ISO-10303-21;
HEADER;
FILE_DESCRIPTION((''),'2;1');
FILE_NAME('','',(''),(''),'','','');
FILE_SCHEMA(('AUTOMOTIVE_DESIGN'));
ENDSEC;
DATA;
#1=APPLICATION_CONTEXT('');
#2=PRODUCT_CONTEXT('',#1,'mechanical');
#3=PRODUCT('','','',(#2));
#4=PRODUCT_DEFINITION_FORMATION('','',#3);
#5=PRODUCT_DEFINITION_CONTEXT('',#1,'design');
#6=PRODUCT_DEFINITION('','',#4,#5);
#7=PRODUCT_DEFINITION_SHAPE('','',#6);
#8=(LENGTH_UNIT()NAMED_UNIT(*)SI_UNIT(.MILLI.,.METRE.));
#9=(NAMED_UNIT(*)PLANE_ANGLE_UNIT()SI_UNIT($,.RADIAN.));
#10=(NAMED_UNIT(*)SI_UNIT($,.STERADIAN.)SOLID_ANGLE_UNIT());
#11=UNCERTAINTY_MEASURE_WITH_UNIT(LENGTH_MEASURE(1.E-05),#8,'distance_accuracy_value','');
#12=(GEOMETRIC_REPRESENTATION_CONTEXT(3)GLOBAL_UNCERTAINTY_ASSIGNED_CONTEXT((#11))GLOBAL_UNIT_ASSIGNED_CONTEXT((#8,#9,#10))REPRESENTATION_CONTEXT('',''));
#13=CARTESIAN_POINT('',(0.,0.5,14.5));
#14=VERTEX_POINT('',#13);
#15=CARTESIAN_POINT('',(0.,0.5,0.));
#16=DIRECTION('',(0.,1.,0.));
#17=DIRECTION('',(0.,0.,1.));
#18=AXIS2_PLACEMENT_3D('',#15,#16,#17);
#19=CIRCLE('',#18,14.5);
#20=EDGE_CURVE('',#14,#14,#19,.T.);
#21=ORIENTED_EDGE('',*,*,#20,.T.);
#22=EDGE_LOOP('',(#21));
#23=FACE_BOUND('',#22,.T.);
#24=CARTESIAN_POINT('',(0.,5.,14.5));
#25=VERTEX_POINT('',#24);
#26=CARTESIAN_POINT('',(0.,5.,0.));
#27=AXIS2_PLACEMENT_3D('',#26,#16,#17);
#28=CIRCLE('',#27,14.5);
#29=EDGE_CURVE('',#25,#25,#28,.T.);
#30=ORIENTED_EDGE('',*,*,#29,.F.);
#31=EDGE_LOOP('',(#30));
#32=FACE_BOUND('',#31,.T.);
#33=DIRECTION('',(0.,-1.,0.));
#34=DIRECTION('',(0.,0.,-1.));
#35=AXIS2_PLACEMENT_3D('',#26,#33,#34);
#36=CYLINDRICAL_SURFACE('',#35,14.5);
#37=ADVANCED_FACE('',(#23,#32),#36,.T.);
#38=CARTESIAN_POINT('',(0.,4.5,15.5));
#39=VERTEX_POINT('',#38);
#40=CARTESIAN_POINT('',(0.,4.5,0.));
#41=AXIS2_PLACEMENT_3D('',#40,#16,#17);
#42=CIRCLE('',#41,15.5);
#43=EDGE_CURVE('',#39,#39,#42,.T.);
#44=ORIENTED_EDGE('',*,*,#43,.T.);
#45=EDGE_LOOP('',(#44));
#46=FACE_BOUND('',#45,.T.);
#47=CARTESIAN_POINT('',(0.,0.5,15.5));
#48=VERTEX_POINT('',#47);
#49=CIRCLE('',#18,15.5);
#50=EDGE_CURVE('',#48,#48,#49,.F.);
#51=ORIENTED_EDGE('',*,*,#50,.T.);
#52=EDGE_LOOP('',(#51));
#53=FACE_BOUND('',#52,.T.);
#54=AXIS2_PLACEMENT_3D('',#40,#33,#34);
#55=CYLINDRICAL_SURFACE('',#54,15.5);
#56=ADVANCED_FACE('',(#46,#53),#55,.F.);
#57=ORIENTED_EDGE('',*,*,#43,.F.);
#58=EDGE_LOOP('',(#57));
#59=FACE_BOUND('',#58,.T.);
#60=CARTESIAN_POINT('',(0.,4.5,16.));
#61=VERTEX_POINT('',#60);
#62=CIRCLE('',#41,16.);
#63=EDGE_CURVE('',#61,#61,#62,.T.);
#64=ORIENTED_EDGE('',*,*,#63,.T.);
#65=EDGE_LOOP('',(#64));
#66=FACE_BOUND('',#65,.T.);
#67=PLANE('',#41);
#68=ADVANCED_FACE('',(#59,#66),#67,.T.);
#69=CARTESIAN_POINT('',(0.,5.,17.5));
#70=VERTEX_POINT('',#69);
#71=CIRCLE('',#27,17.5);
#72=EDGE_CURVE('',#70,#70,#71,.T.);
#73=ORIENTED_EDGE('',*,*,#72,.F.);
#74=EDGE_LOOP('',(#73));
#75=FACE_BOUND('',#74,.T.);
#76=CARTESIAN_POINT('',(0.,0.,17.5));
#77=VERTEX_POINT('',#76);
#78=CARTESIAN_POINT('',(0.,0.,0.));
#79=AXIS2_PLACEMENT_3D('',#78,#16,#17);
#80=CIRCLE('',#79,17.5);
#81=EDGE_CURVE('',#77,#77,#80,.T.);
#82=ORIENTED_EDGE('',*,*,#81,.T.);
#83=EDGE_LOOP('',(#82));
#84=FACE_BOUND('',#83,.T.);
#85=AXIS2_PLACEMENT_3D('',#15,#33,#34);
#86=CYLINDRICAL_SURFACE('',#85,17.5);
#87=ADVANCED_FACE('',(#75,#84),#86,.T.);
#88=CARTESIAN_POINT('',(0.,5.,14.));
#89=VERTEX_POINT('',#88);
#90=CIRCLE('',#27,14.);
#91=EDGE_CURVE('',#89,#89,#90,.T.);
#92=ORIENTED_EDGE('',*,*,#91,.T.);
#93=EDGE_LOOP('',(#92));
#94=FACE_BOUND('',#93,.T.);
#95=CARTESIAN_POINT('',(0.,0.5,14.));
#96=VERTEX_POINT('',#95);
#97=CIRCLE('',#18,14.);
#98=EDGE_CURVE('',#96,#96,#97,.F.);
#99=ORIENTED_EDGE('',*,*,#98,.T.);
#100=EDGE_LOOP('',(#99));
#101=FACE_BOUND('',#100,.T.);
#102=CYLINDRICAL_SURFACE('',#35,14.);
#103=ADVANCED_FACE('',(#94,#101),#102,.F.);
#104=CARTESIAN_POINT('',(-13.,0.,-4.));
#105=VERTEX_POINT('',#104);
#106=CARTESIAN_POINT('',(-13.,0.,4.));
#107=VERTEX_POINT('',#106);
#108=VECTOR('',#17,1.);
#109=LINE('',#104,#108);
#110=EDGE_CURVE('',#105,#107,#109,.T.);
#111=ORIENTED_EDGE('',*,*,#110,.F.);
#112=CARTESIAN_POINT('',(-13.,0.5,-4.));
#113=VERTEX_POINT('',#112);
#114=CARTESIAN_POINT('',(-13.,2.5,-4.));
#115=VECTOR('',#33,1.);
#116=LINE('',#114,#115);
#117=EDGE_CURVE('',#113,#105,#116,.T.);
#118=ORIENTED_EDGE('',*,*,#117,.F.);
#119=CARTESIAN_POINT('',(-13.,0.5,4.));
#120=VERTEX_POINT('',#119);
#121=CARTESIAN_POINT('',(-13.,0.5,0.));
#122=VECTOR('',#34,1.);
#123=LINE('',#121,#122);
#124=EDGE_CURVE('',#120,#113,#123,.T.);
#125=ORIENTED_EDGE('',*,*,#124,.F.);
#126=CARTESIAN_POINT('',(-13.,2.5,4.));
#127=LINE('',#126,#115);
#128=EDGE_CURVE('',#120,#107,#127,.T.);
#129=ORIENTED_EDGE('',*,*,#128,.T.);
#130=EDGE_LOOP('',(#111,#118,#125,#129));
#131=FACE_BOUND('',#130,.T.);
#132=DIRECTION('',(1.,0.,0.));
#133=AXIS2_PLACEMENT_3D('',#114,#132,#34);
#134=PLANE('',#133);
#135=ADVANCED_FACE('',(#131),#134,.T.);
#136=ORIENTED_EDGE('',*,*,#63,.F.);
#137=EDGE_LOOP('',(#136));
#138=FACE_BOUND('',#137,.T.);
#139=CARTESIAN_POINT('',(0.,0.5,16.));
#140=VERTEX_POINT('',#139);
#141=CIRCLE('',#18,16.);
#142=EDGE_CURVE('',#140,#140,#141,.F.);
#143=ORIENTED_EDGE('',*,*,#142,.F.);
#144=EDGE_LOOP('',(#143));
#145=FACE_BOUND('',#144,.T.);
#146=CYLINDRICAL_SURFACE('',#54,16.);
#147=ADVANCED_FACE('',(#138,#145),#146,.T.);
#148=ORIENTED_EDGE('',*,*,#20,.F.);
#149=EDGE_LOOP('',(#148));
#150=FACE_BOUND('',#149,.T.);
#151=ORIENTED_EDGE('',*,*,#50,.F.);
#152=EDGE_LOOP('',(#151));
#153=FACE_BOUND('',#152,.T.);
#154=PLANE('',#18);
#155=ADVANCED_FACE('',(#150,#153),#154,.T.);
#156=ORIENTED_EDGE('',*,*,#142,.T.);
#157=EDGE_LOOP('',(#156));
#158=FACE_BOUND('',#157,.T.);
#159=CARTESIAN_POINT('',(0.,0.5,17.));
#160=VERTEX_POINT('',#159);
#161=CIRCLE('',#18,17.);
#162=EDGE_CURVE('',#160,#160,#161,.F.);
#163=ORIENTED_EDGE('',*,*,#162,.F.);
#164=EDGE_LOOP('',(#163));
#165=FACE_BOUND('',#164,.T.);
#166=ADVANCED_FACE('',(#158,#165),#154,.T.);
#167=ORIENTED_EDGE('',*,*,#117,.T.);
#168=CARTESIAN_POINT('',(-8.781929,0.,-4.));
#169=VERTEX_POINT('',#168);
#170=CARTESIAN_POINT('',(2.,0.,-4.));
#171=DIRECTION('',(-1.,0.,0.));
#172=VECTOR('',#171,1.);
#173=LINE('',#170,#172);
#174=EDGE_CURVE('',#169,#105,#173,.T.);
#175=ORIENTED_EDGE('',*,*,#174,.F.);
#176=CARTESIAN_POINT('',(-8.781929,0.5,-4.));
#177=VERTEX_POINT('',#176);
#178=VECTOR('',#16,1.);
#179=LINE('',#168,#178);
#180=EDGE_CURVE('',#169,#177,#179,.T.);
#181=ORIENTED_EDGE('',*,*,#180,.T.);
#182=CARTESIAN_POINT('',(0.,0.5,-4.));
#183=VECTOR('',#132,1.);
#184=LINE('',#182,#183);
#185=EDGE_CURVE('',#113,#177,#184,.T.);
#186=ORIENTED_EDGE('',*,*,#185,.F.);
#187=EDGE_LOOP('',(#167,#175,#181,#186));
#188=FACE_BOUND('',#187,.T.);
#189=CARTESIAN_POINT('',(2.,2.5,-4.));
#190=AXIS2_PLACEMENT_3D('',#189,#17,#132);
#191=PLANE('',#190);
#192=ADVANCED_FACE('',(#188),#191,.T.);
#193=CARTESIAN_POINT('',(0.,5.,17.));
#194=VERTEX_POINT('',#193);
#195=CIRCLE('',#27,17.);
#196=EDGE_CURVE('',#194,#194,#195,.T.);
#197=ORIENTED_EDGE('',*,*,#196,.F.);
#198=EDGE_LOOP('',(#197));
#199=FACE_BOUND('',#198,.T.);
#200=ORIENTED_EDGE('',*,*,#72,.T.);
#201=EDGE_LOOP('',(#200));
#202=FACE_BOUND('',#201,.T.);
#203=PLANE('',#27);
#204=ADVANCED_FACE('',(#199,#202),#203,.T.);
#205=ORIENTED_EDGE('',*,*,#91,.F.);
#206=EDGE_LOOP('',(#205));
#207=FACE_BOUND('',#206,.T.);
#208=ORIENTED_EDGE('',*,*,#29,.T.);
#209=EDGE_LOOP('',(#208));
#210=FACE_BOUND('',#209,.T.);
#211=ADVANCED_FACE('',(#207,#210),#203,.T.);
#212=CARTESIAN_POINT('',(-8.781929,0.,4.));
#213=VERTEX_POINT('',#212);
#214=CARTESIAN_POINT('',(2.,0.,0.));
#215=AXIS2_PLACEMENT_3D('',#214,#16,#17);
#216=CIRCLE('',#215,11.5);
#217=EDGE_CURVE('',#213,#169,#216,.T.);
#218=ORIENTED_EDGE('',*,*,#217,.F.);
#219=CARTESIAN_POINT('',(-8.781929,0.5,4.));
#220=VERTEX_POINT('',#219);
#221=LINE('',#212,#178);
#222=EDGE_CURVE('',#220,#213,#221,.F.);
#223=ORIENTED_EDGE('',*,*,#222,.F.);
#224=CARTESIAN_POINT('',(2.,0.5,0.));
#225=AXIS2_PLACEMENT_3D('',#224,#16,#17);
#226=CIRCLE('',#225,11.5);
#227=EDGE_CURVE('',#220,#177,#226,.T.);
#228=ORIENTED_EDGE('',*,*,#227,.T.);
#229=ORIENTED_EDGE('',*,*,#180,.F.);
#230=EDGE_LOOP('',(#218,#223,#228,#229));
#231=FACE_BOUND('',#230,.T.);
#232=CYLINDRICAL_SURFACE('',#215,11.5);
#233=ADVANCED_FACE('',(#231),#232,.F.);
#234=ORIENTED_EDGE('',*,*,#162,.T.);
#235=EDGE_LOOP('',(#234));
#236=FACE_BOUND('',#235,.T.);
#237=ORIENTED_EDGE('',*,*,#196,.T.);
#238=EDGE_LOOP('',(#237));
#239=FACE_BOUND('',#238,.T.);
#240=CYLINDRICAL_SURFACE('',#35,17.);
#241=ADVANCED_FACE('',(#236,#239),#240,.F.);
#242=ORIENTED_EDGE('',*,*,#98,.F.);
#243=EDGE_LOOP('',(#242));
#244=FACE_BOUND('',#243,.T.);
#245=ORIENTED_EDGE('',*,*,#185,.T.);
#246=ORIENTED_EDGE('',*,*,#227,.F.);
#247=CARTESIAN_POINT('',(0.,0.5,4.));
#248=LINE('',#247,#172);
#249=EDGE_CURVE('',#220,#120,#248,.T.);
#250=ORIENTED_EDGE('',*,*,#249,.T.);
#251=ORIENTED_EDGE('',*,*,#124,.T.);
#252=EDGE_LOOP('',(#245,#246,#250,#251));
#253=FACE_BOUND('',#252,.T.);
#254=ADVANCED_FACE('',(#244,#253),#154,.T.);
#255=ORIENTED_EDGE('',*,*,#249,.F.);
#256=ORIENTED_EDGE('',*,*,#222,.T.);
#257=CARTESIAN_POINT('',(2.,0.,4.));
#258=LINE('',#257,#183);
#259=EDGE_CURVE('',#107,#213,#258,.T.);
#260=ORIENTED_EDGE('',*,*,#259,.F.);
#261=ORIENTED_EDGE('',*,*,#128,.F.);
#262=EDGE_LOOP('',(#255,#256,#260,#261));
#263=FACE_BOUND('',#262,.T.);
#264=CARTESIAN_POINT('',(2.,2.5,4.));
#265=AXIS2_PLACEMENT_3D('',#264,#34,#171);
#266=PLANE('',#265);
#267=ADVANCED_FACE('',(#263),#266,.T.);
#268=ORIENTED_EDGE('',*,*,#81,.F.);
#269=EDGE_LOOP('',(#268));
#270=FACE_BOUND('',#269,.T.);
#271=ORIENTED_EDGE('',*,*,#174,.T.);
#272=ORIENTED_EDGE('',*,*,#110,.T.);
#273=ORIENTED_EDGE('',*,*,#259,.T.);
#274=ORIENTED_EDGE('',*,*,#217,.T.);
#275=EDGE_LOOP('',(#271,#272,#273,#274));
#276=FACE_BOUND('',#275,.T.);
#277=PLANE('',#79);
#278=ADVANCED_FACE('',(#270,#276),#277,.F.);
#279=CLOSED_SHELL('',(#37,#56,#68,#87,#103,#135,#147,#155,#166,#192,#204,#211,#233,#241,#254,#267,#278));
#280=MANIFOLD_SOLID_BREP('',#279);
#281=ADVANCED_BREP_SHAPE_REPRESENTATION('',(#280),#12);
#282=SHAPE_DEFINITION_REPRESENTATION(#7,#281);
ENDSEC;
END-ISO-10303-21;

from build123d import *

# Parameters (mm, degrees)
SKETCH1_R           = 17.5
BOSS_EXTRUDE1_DEPTH = 0.5
SKETCH2_R           = 11.5
CUT_EXTRUDE1_DEPTH  = 0.5
SKETCH3_W           = 15
SKETCH3_H           = 8
CUT_EXTRUDE4_DEPTH  = 2.5
SKETCH4_R           = 16
SKETCH4_R_2         = 15.5
BOSS_EXTRUDE2_DEPTH = 4.5
SKETCH5_R           = 14.5
SKETCH5_R_2         = 14
BOSS_EXTRUDE3_DEPTH = 4.5
SKETCH6_R           = 17.5
SKETCH6_R_2         = 17
BOSS_EXTRUDE4_DEPTH = 4.5


with BuildPart() as part:
    # Sketch1 → Boss-Extrude1 (new body)
    with BuildSketch(Plane(origin=(0, 0, 0), x_dir=(1, 0, 0), z_dir=(0, 1, 0))):
        with Locations(Location((0, 0, 0), (0, 0, 270))):
            Circle(SKETCH1_R)
    extrude(amount=BOSS_EXTRUDE1_DEPTH)

    # Sketch2 → Cut-Extrude1 (cut)
    with BuildSketch(Plane(origin=(0, 0.5, 0), x_dir=(1, 0, 0), z_dir=(0, 1, 0))):
        with Locations(Location((2, 0, 0), (0, 0, 270))):
            Circle(SKETCH2_R)
    extrude(amount=-CUT_EXTRUDE1_DEPTH, mode=Mode.SUBTRACT)

    # Sketch3 → Cut-Extrude4 (cut)
    with BuildSketch(Plane(origin=(0, 0, 0), x_dir=(1, 0, 0), z_dir=(0, 1, 0))):
        with Locations((-5.5, 0)):
            Rectangle(SKETCH3_W, SKETCH3_H)
    extrude(amount=CUT_EXTRUDE4_DEPTH, mode=Mode.SUBTRACT)

    # Sketch4 → Boss-Extrude2 (add)
    with BuildSketch(Plane(origin=(0, 0, 0), x_dir=(1, 0, 0), z_dir=(0, 1, 0))):
        with Locations(Location((0, 0, 0), (0, 0, 270))):
            Circle(SKETCH4_R)
        with Locations(Location((0, 0, 0), (0, 0, 270))):
            Circle(SKETCH4_R_2, mode=Mode.SUBTRACT)
    extrude(amount=BOSS_EXTRUDE2_DEPTH)

    # Sketch5 → Boss-Extrude3 (add)
    with BuildSketch(Plane(origin=(0, 0.5, 0), x_dir=(1, 0, 0), z_dir=(0, 1, 0))):
        with Locations(Location((0, 0, 0), (0, 0, 270))):
            Circle(SKETCH5_R)
        with Locations(Location((0, 0, 0), (0, 0, 270))):
            Circle(SKETCH5_R_2, mode=Mode.SUBTRACT)
    extrude(amount=BOSS_EXTRUDE3_DEPTH)

    # Sketch6 → Boss-Extrude4 (add)
    with BuildSketch(Plane(origin=(0, 0.5, 0), x_dir=(1, 0, 0), z_dir=(0, 1, 0))):
        with Locations(Location((0, 0, 0), (0, 0, 270))):
            Circle(SKETCH6_R)
        with Locations(Location((0, 0, 0), (0, 0, 270))):
            Circle(SKETCH6_R_2, mode=Mode.SUBTRACT)
    extrude(amount=BOSS_EXTRUDE4_DEPTH)


solid = part.part
